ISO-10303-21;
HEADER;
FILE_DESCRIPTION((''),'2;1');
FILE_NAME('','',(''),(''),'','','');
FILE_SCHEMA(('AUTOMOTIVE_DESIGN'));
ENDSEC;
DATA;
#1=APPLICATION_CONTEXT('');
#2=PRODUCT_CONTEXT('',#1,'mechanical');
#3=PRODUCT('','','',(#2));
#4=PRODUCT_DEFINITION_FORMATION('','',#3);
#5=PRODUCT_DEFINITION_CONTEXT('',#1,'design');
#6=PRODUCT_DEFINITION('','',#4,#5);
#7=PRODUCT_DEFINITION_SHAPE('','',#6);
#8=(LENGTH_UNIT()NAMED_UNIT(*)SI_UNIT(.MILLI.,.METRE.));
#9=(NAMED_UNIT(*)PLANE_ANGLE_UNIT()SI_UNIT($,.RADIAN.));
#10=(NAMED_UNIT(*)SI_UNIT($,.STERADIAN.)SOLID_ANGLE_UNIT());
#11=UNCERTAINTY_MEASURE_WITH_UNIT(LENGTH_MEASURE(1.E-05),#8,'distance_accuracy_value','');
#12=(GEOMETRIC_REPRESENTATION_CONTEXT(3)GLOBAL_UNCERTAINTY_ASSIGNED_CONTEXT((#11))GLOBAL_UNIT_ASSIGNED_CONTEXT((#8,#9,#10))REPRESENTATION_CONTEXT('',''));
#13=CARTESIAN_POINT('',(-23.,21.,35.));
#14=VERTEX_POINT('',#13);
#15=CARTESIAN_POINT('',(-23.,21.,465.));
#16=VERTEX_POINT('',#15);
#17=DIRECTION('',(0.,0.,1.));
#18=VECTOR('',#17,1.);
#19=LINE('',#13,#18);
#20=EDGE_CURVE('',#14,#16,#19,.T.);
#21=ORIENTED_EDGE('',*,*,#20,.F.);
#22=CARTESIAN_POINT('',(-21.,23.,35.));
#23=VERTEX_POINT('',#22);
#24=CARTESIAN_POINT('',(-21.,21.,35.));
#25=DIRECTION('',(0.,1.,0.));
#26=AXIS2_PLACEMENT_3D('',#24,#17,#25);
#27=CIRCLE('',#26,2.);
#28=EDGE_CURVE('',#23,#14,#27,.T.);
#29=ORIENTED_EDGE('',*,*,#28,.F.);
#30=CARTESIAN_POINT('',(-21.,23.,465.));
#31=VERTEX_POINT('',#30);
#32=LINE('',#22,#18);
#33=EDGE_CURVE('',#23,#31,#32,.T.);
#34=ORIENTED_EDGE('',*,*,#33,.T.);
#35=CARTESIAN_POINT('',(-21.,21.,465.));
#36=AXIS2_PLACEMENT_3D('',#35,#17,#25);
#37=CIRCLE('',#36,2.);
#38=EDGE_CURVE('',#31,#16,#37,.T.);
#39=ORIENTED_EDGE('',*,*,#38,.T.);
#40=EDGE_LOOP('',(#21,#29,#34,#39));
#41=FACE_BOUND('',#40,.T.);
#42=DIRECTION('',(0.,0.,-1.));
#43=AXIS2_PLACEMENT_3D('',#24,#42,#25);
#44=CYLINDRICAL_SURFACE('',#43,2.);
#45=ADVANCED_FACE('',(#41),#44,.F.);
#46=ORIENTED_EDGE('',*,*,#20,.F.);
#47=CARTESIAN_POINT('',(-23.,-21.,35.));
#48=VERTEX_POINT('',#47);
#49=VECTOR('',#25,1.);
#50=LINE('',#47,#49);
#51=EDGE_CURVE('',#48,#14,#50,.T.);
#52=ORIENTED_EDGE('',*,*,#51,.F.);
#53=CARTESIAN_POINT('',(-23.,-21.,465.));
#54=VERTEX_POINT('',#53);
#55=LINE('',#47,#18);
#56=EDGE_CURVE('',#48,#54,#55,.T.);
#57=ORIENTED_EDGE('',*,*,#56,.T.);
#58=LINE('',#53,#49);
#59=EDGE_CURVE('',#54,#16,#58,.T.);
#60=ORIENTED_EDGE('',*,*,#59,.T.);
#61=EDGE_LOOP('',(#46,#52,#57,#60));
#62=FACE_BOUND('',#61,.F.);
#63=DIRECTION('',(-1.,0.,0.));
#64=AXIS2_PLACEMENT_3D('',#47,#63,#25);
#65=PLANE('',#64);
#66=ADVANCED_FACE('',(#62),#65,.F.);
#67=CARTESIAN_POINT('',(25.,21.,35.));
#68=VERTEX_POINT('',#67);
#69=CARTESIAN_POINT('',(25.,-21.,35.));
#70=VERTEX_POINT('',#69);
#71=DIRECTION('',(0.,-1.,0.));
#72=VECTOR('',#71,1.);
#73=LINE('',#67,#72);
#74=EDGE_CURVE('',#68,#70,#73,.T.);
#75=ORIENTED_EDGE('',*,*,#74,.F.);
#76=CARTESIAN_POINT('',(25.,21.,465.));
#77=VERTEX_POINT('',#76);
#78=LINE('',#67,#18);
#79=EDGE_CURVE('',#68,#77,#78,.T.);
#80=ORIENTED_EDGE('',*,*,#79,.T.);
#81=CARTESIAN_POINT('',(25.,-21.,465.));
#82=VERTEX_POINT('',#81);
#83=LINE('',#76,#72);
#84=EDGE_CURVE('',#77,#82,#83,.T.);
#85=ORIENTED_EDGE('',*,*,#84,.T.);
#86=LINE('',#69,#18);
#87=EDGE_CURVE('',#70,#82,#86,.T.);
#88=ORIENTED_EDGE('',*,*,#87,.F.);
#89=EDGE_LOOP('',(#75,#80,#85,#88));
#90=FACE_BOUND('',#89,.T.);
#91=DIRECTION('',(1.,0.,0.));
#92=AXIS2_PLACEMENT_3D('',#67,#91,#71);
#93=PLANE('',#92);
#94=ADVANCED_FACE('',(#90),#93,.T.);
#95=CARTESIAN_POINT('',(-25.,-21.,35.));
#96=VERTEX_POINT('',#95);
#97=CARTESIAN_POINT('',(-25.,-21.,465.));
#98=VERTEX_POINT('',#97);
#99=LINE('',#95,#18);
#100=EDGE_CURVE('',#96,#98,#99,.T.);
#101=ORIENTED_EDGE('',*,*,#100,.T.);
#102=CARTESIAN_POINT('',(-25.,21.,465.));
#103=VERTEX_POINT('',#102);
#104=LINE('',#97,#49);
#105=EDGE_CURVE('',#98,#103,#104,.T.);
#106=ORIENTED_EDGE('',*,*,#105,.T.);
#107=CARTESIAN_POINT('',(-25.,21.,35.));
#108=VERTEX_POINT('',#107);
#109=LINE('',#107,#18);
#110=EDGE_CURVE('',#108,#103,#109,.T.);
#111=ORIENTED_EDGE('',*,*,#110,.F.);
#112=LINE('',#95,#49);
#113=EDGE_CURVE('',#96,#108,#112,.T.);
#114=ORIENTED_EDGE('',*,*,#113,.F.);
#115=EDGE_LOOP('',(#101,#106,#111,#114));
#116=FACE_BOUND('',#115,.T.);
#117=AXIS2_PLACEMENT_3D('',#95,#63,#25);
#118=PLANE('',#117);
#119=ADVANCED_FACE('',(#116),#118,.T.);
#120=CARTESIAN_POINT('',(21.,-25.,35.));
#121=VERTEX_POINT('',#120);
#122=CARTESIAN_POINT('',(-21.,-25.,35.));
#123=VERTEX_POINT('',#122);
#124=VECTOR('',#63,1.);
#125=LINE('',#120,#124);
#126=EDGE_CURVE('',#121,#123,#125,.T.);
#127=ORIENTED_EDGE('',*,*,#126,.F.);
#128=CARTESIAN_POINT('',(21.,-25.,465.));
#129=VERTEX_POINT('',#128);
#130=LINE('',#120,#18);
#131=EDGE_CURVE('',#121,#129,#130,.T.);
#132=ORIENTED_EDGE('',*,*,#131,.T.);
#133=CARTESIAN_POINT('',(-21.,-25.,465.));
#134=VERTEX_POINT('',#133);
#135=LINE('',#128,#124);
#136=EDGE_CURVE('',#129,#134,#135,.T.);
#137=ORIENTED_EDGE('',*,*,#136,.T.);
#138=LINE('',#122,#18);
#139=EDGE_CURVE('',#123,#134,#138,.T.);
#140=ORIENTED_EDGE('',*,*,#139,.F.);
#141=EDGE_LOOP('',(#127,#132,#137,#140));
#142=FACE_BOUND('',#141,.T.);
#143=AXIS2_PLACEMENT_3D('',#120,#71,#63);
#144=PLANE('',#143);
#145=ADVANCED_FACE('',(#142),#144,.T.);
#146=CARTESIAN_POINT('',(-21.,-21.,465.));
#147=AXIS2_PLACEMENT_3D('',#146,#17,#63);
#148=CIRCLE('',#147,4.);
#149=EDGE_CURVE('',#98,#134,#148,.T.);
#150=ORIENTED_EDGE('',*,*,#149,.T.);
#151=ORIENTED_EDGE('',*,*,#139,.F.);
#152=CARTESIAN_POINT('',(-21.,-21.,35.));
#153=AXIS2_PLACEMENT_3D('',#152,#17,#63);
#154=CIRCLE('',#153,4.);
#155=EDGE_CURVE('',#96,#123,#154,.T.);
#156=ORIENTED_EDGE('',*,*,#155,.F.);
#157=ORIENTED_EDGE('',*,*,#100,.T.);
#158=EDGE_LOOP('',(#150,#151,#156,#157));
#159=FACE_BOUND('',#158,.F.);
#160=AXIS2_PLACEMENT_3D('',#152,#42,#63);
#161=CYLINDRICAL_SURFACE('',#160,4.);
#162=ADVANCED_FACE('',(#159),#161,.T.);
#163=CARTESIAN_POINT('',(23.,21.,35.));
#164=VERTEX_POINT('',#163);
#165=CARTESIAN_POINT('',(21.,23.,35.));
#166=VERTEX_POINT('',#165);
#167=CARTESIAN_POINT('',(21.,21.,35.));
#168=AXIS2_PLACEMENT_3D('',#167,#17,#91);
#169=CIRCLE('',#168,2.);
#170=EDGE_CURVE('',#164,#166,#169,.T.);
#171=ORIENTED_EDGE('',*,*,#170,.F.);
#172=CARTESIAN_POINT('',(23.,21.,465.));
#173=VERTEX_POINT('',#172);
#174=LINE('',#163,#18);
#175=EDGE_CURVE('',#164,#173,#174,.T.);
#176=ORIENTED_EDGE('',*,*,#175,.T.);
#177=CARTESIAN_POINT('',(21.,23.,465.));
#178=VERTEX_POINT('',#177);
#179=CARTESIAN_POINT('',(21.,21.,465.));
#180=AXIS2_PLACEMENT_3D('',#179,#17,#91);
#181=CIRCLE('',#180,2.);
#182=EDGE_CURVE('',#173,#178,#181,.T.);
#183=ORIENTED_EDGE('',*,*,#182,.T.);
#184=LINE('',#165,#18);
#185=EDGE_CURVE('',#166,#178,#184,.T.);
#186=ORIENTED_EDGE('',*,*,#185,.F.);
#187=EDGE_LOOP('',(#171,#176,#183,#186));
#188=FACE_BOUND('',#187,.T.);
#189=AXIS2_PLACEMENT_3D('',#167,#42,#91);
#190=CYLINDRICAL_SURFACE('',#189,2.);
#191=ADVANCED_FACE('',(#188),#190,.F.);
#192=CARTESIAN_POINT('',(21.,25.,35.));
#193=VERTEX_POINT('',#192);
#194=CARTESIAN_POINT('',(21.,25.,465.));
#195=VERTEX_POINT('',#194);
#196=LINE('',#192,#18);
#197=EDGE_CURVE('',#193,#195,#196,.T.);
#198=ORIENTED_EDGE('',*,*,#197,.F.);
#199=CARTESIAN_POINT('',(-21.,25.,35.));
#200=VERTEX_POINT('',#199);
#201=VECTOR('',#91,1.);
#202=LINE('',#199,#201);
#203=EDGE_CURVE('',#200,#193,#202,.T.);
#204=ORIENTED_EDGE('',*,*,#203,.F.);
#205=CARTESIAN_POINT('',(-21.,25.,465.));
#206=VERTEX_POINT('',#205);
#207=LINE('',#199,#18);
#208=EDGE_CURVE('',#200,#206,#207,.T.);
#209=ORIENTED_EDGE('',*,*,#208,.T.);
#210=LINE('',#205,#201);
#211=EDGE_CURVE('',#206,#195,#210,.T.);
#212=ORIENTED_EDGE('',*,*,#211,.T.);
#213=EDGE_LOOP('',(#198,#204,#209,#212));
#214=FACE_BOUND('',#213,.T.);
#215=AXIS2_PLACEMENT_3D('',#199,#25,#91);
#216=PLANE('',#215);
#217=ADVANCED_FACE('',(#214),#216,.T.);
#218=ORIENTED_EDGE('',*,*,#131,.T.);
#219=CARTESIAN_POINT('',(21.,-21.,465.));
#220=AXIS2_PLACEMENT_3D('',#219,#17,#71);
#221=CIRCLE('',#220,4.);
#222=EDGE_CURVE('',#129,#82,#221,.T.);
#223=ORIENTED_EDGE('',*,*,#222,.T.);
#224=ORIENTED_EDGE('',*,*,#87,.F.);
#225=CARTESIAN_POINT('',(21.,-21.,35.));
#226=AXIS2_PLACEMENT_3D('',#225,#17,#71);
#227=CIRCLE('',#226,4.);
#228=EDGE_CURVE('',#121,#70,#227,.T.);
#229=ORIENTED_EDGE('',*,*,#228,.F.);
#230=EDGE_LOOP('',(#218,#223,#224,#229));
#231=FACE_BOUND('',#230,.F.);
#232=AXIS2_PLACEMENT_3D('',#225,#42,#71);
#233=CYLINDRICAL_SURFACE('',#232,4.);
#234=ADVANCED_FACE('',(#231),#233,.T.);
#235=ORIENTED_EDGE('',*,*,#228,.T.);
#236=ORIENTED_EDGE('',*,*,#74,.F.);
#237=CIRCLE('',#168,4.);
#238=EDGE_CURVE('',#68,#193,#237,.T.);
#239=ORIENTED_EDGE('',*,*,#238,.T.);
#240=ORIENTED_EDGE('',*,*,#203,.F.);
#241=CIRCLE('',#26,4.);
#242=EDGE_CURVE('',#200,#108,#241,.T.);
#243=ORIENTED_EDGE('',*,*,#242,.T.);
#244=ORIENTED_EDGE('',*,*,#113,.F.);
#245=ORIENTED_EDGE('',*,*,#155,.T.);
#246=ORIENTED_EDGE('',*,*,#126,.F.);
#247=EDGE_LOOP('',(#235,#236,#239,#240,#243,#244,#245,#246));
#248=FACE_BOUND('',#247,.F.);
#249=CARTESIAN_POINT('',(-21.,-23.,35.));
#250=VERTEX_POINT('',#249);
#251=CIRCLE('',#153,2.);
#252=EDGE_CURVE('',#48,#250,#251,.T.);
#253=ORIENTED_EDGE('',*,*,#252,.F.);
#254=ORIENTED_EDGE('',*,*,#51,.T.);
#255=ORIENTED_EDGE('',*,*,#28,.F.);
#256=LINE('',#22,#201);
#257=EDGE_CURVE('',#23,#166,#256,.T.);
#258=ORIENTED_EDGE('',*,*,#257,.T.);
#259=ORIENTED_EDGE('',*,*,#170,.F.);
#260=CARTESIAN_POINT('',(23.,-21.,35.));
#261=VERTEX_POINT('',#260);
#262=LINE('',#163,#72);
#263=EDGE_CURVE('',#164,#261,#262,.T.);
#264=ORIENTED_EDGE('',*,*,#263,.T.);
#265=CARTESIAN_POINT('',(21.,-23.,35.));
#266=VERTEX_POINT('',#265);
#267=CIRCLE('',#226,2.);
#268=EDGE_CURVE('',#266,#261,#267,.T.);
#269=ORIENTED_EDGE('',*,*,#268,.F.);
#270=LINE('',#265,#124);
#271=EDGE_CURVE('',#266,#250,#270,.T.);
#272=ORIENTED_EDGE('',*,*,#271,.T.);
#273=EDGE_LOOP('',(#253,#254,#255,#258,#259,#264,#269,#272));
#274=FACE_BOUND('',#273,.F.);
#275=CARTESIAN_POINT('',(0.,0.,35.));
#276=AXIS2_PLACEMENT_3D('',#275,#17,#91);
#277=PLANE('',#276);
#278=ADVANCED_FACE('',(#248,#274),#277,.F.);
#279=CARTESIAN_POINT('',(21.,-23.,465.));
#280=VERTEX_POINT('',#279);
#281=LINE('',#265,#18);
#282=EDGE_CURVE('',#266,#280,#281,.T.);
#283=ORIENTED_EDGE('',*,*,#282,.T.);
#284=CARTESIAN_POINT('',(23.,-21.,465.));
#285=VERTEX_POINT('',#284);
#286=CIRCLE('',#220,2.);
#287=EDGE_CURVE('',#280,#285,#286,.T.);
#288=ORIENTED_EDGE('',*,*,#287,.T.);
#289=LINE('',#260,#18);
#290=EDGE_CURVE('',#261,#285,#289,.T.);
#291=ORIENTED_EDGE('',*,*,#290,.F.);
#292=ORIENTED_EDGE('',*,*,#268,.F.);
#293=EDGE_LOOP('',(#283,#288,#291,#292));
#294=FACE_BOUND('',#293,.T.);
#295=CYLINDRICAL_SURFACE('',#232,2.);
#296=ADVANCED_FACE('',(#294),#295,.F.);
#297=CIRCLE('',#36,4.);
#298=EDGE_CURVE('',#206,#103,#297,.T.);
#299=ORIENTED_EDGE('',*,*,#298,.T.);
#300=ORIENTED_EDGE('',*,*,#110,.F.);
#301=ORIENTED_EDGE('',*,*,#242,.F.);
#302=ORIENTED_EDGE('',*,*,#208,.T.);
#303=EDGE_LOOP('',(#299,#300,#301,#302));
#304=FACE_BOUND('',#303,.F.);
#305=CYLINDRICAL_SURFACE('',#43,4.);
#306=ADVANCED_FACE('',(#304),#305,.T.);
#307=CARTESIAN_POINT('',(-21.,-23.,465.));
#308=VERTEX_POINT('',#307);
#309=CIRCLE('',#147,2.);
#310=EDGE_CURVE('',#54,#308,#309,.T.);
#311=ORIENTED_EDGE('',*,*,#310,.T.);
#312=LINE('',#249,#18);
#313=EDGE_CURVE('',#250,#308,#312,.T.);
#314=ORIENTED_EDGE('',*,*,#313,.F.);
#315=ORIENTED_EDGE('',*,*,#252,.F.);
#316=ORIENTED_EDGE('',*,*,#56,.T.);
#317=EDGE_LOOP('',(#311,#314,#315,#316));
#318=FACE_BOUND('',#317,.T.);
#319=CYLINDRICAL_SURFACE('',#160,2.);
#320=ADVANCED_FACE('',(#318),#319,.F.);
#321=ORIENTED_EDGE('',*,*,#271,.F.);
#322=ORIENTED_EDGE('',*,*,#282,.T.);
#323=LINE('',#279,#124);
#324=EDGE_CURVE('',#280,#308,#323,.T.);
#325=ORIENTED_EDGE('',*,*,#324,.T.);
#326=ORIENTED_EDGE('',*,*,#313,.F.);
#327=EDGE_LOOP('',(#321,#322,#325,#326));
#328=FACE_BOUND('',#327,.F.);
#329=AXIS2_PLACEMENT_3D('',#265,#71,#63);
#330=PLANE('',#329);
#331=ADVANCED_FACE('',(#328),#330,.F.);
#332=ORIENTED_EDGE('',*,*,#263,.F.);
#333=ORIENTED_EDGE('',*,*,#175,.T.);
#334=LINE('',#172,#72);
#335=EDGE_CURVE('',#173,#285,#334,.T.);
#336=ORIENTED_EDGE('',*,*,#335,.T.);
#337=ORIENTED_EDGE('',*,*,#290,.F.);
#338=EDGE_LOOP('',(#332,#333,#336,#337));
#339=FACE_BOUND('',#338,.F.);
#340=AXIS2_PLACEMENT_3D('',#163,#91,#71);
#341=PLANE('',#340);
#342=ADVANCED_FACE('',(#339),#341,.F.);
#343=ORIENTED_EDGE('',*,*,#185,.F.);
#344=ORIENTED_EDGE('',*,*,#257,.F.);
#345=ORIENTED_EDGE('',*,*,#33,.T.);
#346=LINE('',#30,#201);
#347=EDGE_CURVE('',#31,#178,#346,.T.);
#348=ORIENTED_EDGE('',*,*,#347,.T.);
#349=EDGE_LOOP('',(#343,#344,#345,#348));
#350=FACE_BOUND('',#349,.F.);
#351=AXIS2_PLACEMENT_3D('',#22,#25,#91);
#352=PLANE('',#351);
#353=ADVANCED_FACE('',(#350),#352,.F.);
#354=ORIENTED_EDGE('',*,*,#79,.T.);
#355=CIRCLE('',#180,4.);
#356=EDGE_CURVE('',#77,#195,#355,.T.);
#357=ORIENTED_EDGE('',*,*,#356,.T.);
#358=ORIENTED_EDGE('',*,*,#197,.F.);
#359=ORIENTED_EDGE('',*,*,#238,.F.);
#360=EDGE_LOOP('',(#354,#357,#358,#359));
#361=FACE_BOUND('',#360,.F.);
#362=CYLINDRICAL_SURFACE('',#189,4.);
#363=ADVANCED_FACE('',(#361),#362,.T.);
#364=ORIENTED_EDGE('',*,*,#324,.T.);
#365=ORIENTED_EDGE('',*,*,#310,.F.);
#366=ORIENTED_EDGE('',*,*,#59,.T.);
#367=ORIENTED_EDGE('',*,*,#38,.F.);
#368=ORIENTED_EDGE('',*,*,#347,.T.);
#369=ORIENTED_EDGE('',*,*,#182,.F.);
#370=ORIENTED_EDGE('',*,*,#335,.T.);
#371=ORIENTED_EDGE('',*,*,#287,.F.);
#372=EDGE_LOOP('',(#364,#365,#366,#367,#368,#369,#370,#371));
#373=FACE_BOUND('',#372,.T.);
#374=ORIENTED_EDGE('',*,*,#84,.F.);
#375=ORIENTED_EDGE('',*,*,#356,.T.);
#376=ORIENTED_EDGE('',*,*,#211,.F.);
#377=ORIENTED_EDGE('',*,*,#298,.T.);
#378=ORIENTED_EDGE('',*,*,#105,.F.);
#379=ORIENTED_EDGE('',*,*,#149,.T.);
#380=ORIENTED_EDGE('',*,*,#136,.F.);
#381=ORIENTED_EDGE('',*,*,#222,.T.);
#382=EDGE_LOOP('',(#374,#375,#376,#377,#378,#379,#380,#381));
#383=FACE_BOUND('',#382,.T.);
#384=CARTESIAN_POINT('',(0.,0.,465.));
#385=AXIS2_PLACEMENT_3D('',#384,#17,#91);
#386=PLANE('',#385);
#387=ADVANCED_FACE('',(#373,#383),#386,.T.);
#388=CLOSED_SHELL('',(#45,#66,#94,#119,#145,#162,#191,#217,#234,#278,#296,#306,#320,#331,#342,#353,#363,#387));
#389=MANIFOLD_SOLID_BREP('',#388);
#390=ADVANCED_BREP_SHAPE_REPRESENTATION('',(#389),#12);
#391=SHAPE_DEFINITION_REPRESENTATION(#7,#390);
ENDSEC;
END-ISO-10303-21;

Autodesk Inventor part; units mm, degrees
ref_plane "Plano inicial" through (0, 0, 35) normal (0, 0, 1) x (1, 0, 0)
ref_plane "Plano final" through (0, 0, 465) normal (0, 0, 1) x (1, 0, 0)
sketch "Boceto" plane through (0, 0, 0) normal (0, 0, 1) x (1, 0, 0)
  line L0 (-25, -21) -> (-25, 21)
  line L1 (-21, 25) -> (21, 25)
  line L2 (25, 21) -> (25, -21)
  line L3 (21, -25) -> (-21, -25)
  arc A0 (-25, -21) -> (-21, -25) centre (-21, -21) ccw
  arc A1 (25, 21) -> (21, 25) centre (21, 21) ccw
  arc A2 (-21, 25) -> (-25, 21) centre (-21, 21) ccw
  arc A3 (21, -25) -> (25, -21) centre (21, -21) ccw
  arc A4 (-21, 23) -> (-23, 21) centre (-21, 21) ccw
  line L4 (-21, 23) -> (21, 23)
  arc A5 (23, 21) -> (21, 23) centre (21, 21) ccw
  line L5 (23, 21) -> (23, -21)
  arc A6 (21, -23) -> (23, -21) centre (21, -21) ccw
  line L6 (21, -23) -> (-21, -23)
  arc A7 (-23, -21) -> (-21, -23) centre (-21, -21) ccw
  line L7 (-23, -21) -> (-23, 21)
  line L8 (0, 36.1598) -> (0, -36.1598) construction
  line L9 (-36.1598, 0) -> (36.1598, 0) construction
  dimension "d7" = 4
  dimension "d9" = 50
  dimension "d11" = 50
  dimension "d12" = 2
  dimension "d15" = 25
  dimension "d16" = 25
extrude "Cuerpo" add sketch "Boceto" along normal up to surface (430 mm away) from surface at 35
sketch "Sketch3" plane through (0, 0, 0) normal (0, 0, 1) x (1, 0, 0)
  line L0 (0, 0) -> (10, 0)
ref_plane "Work Plane3" through (0, 0, 0) normal (0, -1, 0) x (1, 0, 0)
sketch "Sketch4" plane through (0, 0, 0) normal (0, -1, 0) x (1, 0, 0)
  line L0 (-2, 35) -> (12, 35)
  line L1 (-2, 465) -> (12, 465)
  dimension "d18" = 430
ref_plane "Plano de trabajo6" through (-2000, 29, 465) normal (0, 0, 1) x (1, 0, 0)
split "Dividir3" plane through (-2000, 29, 465) removes the side toward (0, 0, 1)
ref_plane "Plano de trabajo7" through (-2000, -29, 35) normal (0, 0, -1) x (-1, 0, 0)
split "Dividir4" plane through (-2000, -29, 35) removes the side toward (0, 0, -1)
equation "\"d7\" = G_IR"
equation "\"d9\" = G_W"
equation "\"d11\" = G_H"
equation "\"d12\" = G_T"
equation "\"d15\" = 0.5 * d9"
equation "\"d16\" = 0.5 * d11"
equation "\"d3\" = G_L"
equation "\"G_W\" = 50"
equation "\"G_H\" = 50"
equation "\"G_T\" = 2"
equation "\"G_IR\" = 4"
equation "\"G_L\" = d18"
equation "\"G_OFFSET_START\" = -35"
equation "\"G_OFFSET_END\" = -35"
equation "\"d13\" = -G_OFFSET_START"
equation "\"d14\" = G_OFFSET_END + B_L"
equation "\"B_L\" = 500"
properties part number "ISO 10799-2 - 50x50x2 - 430" material "Galvanizado catalogo 1"
